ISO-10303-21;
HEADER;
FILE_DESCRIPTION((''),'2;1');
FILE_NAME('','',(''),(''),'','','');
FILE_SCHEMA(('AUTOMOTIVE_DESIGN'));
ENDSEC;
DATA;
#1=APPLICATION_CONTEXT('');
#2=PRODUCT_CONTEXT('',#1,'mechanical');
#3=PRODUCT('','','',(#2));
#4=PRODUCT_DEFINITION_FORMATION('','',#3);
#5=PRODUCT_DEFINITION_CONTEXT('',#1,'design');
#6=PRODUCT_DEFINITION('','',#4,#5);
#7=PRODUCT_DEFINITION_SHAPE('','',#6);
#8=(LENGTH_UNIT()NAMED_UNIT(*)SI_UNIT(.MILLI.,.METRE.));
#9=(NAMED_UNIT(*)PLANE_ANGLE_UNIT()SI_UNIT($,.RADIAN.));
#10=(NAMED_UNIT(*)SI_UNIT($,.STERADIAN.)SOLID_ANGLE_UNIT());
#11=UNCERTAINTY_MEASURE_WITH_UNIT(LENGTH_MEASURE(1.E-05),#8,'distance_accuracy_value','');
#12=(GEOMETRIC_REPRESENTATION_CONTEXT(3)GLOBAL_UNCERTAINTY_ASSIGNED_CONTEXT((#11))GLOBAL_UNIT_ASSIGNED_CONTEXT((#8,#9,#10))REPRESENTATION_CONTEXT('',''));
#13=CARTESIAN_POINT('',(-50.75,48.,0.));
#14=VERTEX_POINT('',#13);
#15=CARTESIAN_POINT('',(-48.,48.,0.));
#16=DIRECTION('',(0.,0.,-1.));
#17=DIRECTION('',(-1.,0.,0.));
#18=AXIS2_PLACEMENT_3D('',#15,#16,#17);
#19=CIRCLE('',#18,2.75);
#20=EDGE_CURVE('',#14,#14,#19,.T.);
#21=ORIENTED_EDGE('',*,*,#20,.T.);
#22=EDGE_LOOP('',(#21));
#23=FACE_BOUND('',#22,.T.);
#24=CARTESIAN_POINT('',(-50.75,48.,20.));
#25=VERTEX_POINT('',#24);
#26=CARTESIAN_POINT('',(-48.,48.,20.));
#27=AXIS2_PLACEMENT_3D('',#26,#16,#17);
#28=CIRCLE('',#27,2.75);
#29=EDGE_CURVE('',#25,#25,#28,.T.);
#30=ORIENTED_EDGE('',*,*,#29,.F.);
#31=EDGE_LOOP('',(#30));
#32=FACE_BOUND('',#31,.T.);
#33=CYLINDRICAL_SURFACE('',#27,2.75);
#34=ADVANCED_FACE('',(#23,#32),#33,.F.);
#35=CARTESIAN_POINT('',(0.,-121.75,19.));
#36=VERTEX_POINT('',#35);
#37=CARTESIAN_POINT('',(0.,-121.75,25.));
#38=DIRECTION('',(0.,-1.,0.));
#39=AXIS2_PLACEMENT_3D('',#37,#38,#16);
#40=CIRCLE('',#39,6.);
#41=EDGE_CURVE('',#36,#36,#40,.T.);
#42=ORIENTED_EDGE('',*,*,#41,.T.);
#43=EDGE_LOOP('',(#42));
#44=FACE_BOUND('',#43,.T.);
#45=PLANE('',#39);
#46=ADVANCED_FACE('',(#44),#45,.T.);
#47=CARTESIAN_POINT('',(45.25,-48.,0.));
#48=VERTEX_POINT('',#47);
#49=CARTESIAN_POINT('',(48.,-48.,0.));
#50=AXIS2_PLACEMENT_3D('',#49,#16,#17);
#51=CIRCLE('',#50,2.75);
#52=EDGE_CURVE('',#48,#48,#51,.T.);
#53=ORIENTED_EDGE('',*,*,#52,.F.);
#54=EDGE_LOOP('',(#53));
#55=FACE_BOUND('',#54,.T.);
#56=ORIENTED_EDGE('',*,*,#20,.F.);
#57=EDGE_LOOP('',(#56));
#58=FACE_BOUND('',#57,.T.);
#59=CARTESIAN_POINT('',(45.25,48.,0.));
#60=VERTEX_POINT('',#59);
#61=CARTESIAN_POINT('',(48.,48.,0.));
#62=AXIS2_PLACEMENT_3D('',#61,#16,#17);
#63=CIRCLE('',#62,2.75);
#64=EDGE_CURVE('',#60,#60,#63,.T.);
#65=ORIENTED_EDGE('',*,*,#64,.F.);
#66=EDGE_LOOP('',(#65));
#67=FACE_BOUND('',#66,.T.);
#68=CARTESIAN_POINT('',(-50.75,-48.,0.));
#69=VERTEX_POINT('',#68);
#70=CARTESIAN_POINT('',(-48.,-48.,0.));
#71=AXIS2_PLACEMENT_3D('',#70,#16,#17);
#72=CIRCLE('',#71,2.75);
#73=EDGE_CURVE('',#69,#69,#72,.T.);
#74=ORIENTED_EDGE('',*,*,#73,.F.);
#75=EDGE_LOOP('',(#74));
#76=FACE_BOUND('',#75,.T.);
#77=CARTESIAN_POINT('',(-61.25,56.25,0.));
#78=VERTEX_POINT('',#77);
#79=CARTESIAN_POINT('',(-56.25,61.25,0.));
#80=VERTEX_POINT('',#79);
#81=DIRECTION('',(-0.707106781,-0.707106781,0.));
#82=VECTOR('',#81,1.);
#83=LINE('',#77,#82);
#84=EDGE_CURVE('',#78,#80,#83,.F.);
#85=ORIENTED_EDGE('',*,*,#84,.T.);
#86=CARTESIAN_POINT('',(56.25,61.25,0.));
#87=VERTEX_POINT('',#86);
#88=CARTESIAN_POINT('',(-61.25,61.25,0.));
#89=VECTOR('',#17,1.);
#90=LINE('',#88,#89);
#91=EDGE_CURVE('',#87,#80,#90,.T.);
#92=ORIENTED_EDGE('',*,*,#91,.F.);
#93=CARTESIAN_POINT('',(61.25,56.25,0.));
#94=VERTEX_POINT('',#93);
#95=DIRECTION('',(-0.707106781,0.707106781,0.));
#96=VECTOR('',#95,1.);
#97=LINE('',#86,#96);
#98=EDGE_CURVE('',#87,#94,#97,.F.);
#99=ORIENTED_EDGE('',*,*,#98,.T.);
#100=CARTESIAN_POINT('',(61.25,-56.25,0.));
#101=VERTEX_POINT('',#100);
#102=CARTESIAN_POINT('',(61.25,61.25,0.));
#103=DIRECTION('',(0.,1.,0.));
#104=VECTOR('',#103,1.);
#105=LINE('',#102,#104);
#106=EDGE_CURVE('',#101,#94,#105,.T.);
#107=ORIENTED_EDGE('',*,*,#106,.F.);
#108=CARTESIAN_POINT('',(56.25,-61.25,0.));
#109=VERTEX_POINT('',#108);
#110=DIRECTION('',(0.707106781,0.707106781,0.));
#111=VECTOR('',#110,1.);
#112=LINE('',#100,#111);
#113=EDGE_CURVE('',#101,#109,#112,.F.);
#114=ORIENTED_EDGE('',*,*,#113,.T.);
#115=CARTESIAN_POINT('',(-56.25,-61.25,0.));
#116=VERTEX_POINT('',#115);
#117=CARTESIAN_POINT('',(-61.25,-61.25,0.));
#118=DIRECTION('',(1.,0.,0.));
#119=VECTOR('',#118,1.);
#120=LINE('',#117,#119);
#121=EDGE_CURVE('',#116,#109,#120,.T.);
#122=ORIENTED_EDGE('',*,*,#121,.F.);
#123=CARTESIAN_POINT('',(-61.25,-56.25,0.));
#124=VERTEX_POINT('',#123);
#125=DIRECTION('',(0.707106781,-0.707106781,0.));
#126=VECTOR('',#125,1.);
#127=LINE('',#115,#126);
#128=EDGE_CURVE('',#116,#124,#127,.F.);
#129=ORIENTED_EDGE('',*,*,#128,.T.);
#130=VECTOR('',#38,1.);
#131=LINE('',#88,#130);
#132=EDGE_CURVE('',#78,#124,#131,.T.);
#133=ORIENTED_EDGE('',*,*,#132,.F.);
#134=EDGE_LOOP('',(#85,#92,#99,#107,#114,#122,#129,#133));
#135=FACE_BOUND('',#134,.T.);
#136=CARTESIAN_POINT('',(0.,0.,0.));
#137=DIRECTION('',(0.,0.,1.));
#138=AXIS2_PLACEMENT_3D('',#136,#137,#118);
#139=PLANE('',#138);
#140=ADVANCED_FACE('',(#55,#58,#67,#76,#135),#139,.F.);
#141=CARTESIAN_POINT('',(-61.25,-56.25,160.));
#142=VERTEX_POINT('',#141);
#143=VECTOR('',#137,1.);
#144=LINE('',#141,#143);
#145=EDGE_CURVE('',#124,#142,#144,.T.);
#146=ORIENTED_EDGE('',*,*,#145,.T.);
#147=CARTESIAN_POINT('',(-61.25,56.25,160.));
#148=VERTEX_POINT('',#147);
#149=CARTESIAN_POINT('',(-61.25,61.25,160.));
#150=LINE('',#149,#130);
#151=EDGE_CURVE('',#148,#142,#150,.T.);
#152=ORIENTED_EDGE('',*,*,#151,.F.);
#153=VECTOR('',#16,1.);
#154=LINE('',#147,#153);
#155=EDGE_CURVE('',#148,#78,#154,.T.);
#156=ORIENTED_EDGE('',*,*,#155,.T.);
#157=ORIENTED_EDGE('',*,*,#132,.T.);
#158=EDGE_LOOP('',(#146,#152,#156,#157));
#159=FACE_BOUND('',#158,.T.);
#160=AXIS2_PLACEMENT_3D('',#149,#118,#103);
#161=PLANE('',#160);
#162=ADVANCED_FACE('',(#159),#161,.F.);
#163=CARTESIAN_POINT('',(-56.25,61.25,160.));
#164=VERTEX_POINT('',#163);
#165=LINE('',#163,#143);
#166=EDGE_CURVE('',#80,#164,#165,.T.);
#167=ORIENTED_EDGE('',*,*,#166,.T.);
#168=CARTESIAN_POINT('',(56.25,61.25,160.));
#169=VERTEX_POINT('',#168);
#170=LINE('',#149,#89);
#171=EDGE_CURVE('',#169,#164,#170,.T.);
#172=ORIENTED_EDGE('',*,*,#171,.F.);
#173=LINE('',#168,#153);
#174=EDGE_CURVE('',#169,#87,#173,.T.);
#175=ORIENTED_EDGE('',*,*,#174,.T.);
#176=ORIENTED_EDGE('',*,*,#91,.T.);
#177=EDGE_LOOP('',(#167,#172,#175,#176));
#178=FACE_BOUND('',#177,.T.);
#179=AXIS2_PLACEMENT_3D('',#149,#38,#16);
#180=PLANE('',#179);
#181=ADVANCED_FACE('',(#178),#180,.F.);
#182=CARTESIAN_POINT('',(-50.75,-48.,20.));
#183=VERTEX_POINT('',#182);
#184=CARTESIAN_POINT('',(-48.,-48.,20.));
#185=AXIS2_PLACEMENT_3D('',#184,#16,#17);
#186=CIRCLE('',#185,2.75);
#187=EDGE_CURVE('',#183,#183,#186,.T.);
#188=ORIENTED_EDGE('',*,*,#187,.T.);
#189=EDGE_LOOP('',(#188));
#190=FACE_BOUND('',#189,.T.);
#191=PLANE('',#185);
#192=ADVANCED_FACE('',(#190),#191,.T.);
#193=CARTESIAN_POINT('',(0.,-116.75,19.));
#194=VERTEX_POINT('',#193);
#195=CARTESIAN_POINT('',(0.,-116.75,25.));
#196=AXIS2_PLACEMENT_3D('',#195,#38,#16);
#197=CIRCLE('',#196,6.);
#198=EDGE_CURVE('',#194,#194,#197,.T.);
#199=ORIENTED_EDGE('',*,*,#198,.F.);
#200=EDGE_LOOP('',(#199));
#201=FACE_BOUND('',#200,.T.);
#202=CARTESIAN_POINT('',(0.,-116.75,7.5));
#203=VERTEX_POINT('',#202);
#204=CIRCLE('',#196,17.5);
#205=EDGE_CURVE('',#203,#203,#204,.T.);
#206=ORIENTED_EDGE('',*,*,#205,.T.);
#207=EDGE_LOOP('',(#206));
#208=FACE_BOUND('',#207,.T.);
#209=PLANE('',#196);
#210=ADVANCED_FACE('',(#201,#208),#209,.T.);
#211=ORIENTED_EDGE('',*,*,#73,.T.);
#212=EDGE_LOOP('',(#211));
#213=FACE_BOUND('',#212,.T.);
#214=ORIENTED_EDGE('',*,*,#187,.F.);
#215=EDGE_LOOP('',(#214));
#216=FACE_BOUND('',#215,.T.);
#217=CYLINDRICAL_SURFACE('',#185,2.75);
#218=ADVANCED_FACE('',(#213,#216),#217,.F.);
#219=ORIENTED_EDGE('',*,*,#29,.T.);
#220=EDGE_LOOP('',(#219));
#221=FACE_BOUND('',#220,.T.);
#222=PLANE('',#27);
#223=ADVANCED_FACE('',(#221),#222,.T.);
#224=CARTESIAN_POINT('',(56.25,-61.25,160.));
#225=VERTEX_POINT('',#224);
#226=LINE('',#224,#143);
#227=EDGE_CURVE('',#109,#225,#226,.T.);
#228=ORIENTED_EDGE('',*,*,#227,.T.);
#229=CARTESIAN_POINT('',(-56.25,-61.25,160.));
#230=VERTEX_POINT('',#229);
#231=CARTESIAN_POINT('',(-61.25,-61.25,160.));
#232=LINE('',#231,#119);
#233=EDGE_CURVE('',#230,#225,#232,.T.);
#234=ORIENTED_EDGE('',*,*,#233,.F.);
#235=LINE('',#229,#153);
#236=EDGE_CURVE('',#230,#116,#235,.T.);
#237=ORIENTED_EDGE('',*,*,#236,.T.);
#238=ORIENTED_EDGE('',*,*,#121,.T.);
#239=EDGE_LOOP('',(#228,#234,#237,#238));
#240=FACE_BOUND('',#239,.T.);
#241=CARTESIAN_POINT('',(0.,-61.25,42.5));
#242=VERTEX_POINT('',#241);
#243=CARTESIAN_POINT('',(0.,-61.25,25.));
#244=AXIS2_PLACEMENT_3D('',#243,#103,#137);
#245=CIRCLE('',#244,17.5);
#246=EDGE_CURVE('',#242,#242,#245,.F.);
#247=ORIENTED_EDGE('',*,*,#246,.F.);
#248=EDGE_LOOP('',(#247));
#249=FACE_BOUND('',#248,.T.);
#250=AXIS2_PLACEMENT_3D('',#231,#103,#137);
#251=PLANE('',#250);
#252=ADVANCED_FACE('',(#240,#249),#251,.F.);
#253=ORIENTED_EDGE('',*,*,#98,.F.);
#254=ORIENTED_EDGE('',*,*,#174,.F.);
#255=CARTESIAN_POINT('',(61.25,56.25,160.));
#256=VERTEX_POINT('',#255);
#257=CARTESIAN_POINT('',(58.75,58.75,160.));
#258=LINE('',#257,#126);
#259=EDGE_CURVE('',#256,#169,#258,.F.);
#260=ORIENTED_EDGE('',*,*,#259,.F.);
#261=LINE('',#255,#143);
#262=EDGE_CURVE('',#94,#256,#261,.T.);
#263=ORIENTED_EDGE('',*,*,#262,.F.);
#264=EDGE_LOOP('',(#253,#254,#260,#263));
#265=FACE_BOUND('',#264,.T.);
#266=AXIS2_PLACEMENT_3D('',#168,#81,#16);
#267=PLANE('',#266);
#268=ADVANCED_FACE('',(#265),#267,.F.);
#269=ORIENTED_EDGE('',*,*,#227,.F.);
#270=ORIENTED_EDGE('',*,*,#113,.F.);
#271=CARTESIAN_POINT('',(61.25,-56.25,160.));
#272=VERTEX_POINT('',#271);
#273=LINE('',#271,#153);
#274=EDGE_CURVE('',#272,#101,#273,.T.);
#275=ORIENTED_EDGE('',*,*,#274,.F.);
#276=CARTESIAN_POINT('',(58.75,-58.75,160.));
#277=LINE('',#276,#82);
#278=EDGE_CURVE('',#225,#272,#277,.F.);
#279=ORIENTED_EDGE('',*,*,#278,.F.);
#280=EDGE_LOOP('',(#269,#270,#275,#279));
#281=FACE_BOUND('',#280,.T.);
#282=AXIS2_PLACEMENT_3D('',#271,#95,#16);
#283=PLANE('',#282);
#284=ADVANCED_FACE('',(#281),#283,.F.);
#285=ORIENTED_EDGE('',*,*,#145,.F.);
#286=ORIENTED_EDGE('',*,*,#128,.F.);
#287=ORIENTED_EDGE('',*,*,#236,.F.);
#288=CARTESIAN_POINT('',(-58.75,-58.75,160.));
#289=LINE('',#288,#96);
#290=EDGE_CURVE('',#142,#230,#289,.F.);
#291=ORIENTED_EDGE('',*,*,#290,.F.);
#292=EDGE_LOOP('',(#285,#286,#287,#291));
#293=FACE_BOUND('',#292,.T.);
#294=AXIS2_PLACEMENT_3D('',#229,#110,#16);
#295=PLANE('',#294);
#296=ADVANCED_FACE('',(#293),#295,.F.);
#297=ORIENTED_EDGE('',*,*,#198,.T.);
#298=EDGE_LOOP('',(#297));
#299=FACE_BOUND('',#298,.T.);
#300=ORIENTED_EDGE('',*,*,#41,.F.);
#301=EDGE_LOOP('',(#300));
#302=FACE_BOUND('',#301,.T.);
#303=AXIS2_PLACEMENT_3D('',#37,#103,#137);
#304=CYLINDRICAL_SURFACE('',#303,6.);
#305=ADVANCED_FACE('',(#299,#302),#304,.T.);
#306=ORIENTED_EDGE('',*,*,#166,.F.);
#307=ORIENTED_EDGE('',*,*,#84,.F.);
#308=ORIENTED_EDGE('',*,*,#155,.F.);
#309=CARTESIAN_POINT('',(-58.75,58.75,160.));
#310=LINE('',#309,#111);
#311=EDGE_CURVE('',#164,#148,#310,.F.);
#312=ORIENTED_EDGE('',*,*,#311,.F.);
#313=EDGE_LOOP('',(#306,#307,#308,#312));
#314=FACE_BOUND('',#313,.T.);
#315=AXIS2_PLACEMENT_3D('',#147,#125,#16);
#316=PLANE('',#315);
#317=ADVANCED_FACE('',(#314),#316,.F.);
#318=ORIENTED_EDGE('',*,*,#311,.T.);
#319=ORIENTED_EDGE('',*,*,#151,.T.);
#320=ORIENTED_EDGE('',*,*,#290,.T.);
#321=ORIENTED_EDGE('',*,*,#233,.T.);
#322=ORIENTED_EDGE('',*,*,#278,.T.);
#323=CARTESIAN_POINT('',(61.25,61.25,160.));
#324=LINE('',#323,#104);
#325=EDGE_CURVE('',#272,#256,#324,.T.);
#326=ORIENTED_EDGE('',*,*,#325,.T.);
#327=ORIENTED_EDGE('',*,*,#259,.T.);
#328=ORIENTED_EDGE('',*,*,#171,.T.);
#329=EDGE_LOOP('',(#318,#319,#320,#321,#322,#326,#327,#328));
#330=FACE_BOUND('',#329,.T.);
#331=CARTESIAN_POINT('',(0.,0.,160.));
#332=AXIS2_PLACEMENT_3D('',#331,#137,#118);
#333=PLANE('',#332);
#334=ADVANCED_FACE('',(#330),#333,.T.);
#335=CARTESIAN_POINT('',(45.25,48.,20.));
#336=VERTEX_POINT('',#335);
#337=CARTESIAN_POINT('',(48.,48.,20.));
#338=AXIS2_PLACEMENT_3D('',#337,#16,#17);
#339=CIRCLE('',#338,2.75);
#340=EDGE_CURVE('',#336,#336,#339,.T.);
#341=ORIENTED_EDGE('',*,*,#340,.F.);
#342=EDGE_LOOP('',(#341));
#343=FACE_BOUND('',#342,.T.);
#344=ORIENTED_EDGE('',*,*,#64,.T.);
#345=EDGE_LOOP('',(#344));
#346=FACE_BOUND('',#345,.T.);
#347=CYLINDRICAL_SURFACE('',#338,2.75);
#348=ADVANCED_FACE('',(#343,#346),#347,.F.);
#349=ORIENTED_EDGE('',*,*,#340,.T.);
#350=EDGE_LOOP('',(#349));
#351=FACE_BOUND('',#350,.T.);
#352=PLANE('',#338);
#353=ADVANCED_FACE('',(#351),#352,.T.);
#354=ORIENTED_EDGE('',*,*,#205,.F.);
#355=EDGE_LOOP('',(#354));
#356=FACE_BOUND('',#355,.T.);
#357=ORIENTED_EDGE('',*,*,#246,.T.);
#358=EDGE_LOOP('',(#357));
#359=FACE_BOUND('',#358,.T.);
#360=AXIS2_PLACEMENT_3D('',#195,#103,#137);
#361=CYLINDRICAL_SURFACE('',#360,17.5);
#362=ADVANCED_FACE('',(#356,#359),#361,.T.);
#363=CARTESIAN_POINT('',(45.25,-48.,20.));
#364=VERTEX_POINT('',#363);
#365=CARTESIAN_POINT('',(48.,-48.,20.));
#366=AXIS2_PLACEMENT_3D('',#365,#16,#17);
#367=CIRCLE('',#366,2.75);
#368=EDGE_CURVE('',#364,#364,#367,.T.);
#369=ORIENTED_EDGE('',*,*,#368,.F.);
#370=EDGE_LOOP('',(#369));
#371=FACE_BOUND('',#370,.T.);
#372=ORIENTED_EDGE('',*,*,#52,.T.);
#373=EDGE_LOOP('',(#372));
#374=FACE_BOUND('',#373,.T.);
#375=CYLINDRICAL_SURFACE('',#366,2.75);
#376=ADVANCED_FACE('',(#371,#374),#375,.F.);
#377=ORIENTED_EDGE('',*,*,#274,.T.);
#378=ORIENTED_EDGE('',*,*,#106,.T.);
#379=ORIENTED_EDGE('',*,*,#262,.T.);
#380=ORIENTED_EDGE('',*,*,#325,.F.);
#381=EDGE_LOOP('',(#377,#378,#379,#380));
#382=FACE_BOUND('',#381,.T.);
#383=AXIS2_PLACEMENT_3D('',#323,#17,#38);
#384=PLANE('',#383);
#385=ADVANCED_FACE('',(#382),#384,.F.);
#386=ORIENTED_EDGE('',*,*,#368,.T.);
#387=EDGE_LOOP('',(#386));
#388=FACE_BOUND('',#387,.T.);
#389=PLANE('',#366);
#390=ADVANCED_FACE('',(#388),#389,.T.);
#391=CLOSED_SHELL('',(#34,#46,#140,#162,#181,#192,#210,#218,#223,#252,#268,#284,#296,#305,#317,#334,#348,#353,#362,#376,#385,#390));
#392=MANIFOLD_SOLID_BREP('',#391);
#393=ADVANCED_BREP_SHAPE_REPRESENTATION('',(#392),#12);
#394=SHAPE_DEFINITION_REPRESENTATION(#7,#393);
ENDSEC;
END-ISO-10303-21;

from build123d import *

# Parameters (mm, degrees)
SKETCH_6_W          = 122.5
SKETCH_6_H          = 122.5
EXTRUDE_5_DEPTH     = 160
SKETCH_7_R          = 17.5
EXTRUDE_6_DEPTH     = 55.5
SKETCH_8_R          = 6
EXTRUDE_7_DEPTH     = 5
CHAMFER_1_SIZE      = 5
SKETCH_9_R          = 2.75
CUT_EXTRUDE_1_DEPTH = 20


with BuildPart() as part:
    # 草图6 → 凸台-拉伸5 (new body)
    with BuildSketch(Plane.XY):
        Rectangle(SKETCH_6_W, SKETCH_6_H)
    extrude(amount=EXTRUDE_5_DEPTH)

    # 草图7 → 凸台-拉伸6 (add)
    with BuildSketch(Plane.XZ.offset(61.25)):
        with Locations(Location((0, 25, 0), (0, 0, 90))):
            Circle(SKETCH_7_R)
    extrude(amount=EXTRUDE_6_DEPTH)

    # 草图8 → 凸台-拉伸7 (add)
    with BuildSketch(Plane.XZ.offset(116.75)):
        with Locations(Location((0, 25, 0), (0, 0, 270))):
            Circle(SKETCH_8_R)
    extrude(amount=EXTRUDE_7_DEPTH)

    # 倒角1
    chamfer_1_edges = [part.edges().sort_by_distance(p)[0] for p in [
        (-61.25, 61.25, 80),
        (61.25, 61.25, 80),
        (61.25, -61.25, 80),
        (-61.25, -61.25, 80),
    ]]
    chamfer(chamfer_1_edges, length=CHAMFER_1_SIZE)

    # 草图9 → 切除-拉伸1 (cut)
    with BuildSketch(Plane(origin=(0, 0, 0), x_dir=(-1, 0, 0), z_dir=(0, 0, -1))):
        with Locations((-48, 48)):
            Circle(SKETCH_9_R)
        with Locations((48, 48)):
            Circle(SKETCH_9_R)
        with Locations((48, -48)):
            Circle(SKETCH_9_R)
        with Locations((-48, -48)):
            Circle(SKETCH_9_R)
    extrude(amount=-CUT_EXTRUDE_1_DEPTH, mode=Mode.SUBTRACT)


solid = part.part
